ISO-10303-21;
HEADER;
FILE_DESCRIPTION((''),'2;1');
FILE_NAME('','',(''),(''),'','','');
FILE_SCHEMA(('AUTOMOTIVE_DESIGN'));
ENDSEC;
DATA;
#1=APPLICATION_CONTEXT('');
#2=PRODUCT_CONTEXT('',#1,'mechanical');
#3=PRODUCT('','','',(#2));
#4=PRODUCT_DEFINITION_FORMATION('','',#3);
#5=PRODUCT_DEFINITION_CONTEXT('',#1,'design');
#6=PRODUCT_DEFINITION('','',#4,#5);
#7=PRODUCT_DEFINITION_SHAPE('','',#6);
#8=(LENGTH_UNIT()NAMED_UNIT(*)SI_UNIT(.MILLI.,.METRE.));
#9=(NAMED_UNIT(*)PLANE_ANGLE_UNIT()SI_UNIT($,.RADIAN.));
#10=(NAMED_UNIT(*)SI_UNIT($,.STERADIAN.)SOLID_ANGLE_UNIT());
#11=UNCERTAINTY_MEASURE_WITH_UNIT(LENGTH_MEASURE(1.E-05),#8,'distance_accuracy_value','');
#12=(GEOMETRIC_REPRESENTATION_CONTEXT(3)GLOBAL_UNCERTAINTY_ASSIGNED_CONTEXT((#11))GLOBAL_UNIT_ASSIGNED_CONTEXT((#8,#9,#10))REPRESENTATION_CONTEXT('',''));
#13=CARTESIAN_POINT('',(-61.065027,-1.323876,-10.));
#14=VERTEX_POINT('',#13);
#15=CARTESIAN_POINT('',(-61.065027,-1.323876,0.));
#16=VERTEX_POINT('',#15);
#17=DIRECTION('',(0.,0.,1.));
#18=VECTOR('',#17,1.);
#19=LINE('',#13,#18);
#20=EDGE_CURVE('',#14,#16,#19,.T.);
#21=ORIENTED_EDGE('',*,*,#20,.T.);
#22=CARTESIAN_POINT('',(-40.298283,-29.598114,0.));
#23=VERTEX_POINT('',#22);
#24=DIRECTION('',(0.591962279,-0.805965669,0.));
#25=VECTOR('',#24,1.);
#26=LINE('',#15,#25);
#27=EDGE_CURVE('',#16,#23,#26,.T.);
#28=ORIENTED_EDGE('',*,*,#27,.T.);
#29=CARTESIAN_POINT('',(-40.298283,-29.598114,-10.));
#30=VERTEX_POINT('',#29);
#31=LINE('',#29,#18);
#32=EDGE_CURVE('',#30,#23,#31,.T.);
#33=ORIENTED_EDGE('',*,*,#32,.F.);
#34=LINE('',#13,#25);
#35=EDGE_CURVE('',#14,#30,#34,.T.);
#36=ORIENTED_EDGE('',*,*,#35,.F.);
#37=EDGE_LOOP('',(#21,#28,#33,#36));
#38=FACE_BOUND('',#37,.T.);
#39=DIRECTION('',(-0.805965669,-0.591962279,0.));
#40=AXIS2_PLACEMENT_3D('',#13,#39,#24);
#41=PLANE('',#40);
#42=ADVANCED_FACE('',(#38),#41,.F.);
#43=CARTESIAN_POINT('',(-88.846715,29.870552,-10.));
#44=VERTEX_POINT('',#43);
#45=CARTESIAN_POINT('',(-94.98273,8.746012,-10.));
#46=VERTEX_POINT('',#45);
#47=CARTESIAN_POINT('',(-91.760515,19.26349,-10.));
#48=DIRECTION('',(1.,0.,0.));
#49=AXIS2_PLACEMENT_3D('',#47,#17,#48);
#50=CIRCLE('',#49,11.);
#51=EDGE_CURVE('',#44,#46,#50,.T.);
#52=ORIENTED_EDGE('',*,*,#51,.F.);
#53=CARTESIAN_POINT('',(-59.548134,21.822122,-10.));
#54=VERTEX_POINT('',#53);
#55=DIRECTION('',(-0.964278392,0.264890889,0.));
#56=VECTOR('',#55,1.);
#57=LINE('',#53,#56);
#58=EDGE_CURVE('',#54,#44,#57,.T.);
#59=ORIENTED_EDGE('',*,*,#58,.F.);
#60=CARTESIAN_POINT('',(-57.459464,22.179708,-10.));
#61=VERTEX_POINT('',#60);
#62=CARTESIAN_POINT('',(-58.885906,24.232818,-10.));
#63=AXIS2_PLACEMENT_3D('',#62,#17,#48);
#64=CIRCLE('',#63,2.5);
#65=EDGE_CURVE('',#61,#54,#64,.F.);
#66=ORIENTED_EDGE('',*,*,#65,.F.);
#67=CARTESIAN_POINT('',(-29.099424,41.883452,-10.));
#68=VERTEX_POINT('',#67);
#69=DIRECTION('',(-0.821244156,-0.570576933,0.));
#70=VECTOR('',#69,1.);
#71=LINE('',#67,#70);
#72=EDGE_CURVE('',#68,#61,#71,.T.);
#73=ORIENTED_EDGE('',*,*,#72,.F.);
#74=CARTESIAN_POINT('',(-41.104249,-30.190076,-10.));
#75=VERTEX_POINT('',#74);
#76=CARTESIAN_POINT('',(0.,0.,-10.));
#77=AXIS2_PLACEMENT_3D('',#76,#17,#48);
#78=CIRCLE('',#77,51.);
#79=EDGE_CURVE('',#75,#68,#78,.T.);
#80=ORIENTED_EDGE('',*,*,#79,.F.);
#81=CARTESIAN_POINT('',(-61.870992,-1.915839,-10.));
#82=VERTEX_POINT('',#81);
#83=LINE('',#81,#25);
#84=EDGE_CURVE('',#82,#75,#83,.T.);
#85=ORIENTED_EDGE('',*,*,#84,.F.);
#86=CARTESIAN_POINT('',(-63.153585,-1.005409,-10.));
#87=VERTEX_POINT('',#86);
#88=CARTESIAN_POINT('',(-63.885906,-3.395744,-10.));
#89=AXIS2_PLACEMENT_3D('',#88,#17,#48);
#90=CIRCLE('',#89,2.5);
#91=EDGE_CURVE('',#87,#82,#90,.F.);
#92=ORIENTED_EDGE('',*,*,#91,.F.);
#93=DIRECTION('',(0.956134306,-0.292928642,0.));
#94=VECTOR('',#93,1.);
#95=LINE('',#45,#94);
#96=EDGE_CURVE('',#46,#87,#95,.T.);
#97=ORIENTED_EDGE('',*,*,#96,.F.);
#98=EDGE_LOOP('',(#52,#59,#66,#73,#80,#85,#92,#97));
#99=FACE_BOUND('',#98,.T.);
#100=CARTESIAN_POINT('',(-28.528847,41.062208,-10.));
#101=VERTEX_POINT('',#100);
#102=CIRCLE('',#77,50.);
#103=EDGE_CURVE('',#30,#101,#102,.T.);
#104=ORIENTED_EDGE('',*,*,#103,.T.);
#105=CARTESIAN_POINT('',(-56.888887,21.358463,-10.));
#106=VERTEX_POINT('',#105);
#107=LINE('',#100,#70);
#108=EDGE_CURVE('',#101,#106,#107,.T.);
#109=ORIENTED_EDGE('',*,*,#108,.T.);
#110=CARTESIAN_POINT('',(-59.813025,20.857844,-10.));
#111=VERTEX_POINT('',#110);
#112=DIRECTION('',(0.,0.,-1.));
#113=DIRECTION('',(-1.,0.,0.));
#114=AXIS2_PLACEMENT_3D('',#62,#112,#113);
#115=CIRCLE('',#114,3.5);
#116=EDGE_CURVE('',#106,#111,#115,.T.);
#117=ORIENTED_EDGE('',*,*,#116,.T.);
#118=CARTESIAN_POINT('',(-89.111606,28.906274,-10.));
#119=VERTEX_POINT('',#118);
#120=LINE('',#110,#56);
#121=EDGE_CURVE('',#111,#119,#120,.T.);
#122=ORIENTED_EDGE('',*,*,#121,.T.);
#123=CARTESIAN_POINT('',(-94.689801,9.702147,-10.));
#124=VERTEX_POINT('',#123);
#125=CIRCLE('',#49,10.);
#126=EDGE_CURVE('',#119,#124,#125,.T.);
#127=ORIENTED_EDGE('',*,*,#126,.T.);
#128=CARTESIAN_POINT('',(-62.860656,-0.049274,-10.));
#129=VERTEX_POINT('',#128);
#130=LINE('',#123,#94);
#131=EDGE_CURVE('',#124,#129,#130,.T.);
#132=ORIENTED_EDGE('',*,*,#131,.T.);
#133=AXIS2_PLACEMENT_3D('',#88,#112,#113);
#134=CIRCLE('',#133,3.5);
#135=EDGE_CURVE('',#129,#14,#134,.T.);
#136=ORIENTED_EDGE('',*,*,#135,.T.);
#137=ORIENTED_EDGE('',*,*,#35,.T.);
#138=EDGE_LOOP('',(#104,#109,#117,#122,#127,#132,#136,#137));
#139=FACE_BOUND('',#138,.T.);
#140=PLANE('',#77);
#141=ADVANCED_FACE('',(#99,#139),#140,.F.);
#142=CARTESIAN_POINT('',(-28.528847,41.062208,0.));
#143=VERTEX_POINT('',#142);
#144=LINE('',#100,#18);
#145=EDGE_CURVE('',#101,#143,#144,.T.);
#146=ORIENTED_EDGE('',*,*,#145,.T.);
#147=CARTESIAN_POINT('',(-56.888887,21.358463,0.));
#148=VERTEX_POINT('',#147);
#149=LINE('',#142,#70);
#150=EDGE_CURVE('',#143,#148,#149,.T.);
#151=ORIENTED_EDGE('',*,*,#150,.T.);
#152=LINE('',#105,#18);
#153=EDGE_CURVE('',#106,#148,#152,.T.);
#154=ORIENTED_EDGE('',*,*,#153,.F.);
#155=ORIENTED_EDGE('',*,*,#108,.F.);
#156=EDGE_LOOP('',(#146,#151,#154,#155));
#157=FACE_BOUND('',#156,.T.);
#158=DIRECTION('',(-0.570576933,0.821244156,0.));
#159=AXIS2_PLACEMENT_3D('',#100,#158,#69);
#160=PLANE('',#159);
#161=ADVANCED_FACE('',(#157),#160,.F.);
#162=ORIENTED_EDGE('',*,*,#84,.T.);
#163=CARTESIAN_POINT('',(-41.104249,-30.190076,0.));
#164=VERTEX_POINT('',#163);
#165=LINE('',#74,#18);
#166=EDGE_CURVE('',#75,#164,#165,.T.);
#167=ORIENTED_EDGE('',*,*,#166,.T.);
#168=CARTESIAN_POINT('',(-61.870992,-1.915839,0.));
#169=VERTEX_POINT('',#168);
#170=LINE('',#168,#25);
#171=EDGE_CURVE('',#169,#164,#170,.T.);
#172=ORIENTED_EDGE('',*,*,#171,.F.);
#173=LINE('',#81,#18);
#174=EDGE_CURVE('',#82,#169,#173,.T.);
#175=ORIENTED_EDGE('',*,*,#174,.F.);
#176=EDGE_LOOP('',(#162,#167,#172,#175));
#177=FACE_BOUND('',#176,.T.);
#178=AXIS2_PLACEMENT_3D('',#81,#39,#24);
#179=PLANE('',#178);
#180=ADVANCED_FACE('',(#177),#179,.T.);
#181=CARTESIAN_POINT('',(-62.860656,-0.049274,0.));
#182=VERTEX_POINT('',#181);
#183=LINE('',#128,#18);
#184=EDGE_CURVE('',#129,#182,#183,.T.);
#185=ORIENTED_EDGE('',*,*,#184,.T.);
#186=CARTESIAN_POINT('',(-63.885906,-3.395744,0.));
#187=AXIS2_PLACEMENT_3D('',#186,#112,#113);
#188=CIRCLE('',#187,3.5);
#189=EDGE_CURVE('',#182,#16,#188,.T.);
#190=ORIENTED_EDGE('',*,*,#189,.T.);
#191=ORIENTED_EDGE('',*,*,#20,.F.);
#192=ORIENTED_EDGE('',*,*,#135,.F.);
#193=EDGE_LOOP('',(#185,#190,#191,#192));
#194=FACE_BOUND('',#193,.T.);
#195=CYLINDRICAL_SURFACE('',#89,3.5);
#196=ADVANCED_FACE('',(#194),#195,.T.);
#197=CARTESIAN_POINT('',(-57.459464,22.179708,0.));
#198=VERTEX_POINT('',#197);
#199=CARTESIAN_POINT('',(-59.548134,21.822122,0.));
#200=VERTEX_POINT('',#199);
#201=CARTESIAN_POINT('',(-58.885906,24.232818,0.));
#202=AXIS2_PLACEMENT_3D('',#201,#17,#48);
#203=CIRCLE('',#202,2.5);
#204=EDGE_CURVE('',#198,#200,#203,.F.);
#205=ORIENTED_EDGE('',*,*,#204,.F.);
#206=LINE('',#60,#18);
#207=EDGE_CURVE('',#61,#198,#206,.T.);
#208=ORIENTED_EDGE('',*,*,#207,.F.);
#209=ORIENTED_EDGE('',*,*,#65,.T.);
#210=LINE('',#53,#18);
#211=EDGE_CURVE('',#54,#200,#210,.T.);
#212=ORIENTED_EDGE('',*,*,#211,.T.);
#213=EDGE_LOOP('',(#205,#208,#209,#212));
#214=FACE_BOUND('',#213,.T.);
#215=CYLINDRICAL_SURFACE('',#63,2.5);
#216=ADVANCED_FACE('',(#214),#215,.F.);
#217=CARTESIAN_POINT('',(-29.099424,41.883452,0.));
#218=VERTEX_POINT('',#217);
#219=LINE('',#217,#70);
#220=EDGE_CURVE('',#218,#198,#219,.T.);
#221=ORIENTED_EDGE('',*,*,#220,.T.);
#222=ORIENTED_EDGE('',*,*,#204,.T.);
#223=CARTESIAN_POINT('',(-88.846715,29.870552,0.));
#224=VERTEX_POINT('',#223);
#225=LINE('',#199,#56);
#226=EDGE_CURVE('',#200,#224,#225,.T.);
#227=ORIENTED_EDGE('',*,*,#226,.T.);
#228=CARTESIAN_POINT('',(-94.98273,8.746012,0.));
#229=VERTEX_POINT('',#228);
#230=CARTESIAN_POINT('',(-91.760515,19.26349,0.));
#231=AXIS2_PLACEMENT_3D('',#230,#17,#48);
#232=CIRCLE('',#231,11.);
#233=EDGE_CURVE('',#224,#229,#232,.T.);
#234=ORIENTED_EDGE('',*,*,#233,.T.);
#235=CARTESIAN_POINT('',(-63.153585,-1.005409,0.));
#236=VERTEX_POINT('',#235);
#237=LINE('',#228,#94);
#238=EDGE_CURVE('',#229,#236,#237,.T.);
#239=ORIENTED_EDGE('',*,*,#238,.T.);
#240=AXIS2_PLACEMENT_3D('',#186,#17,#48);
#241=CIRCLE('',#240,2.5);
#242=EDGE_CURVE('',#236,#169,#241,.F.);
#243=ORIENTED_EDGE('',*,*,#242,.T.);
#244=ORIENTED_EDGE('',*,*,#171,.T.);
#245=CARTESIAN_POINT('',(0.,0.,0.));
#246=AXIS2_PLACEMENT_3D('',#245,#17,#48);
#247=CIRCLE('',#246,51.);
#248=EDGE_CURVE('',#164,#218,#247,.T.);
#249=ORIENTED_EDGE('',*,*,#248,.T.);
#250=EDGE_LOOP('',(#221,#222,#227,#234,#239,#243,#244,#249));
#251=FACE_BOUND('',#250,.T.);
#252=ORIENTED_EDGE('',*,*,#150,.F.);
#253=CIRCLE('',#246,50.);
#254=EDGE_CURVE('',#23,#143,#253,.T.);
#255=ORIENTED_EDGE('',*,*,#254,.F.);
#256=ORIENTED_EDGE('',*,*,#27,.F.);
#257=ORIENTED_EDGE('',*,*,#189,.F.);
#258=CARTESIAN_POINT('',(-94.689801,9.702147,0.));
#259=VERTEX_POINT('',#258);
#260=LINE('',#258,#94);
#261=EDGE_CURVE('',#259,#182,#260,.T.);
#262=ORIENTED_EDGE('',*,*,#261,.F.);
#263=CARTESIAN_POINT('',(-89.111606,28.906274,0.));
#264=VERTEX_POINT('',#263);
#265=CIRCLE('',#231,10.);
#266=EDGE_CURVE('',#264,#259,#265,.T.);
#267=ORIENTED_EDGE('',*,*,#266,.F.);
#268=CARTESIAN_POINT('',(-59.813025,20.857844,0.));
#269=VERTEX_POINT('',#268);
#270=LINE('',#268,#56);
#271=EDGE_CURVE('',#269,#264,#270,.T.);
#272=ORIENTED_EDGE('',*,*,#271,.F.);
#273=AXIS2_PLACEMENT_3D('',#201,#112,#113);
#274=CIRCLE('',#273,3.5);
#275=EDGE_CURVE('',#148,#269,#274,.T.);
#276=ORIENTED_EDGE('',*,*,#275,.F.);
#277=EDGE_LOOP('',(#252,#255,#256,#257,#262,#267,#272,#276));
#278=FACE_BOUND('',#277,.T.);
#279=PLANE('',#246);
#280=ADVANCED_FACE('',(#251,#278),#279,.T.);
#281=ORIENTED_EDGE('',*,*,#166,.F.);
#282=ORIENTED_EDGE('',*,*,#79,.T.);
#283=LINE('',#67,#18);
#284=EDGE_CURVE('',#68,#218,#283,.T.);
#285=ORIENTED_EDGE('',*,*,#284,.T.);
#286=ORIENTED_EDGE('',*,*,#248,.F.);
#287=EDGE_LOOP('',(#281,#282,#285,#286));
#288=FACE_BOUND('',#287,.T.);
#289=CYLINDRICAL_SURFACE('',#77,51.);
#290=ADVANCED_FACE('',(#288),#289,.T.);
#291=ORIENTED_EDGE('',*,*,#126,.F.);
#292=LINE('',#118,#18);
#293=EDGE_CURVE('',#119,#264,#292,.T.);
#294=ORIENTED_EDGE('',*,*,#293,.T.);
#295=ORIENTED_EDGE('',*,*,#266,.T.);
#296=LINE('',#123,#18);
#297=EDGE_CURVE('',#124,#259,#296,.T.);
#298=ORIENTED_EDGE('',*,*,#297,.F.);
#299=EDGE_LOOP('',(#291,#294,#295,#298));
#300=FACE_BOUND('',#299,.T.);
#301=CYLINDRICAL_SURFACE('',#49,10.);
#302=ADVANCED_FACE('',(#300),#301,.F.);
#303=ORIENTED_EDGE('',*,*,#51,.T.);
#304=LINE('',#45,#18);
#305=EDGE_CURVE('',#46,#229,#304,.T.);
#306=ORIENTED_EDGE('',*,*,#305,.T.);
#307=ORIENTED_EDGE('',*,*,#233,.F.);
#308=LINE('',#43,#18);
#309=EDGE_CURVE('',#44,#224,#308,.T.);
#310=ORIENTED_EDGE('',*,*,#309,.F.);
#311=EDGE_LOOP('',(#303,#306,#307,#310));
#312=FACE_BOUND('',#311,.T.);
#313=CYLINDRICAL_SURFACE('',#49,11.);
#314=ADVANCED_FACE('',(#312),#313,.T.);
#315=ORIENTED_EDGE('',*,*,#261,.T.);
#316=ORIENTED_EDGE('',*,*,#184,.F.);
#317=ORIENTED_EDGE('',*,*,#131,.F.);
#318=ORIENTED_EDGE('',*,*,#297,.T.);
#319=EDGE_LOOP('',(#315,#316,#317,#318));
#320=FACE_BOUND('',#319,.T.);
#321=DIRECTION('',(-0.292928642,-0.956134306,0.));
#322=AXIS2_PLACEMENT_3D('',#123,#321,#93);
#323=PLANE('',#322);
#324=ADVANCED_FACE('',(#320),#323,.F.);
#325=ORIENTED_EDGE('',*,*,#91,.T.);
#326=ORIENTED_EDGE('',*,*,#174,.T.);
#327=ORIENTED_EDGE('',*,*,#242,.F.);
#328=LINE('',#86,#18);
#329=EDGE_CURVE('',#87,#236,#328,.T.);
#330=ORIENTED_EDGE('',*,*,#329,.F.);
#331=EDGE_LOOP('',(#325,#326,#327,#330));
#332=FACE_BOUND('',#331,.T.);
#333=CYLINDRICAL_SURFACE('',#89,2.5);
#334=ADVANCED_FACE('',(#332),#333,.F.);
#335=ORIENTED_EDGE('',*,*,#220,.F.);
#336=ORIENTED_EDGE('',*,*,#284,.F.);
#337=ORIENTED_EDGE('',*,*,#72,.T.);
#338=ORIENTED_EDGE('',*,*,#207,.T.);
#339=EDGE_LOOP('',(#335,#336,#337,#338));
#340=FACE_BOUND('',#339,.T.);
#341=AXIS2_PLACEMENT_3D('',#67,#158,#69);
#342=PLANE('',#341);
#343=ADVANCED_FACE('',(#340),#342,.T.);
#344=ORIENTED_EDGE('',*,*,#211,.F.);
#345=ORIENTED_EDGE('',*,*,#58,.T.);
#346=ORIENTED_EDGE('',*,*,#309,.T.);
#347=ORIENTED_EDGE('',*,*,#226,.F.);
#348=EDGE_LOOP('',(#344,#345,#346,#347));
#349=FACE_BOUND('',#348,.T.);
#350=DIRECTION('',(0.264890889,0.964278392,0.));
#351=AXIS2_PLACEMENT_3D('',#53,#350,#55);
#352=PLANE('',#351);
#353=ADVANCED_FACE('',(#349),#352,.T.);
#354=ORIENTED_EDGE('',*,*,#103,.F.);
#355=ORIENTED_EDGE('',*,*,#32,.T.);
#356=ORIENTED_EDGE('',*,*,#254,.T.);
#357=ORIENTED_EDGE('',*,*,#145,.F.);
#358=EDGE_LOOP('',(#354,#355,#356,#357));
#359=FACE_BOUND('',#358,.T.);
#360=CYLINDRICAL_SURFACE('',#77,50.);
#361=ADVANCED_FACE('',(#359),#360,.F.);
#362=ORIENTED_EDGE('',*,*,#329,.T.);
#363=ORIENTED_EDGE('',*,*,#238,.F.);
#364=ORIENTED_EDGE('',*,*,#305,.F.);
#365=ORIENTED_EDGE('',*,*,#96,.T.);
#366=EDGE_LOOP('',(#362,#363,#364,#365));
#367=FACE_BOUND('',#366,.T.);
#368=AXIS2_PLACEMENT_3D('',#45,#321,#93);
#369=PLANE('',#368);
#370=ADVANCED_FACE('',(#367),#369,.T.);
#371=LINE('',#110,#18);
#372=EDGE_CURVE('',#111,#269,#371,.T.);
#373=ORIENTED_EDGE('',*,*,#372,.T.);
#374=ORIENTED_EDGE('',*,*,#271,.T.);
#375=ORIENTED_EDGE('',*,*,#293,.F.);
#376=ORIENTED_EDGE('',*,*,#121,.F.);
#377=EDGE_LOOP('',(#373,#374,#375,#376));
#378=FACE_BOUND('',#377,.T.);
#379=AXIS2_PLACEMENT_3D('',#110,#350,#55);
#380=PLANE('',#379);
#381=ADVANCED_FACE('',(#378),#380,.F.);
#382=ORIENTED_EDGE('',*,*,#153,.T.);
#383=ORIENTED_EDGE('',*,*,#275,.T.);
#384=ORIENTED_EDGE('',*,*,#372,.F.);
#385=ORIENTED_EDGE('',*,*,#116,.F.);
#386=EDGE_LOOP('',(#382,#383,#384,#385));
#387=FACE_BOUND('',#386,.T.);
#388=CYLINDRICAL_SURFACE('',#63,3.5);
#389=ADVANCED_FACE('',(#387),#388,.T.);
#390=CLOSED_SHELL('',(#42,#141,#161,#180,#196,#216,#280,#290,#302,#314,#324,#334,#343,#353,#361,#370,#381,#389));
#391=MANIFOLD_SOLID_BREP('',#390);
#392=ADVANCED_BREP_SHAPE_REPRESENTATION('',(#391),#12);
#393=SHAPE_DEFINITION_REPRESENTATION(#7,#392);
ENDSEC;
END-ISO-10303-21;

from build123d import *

# Parameters (mm, degrees)
EXTRUDE_THIN1_DEPTH = 10


with BuildPart() as part:
    # Sketch2 → Extrude-Thin1 (new body)
    with BuildSketch(Plane.XY):
        with BuildLine():
            Line((-61.870992291, -1.915838758), (-41.104249143, -30.190076223))
            ThreePointArc((-41.104249143, -30.190076223), (50.306930752, -8.379302973), (-29.099423566, 41.88345196))
            Line((-29.099423566, 41.88345196), (-57.459464133, 22.179707541))
            ThreePointArc((-57.459464133, 22.179707541), (-58.464037946, 21.768669609), (-59.548133687, 21.822121952))
            Line((-59.548133687, 21.822121952), (-88.84671512, 29.870552095))
            ThreePointArc((-88.84671512, 29.870552095), (-102.323910379, 22.331824169), (-94.982729961, 8.746012422))
            Line((-94.982729961, 8.746012422), (-63.153584859, -1.005408691))
            ThreePointArc((-63.153584859, -1.005408691), (-62.438824286, -1.357128953), (-61.870992291, -1.915838758))
        make_face()
        with BuildLine():
            Line((-61.065026622, -1.323876479), (-40.298283474, -29.598113945))
            ThreePointArc((-40.298283474, -29.598113945), (49.320520345, -8.215002915), (-28.528846634, 41.062207804))
            Line((-28.528846634, 41.062207804), (-56.8888872, 21.358463385))
            ThreePointArc((-56.8888872, 21.358463385), (-58.295290539, 20.783010281), (-59.813024576, 20.85784356))
            Line((-59.813024576, 20.85784356), (-89.111606009, 28.906273703))
            ThreePointArc((-89.111606009, 28.906273703), (-101.363601699, 22.05288468), (-94.689801318, 9.702146727))
            Line((-94.689801318, 9.702146727), (-62.860656217, -0.049274385))
            ThreePointArc((-62.860656217, -0.049274385), (-61.859991414, -0.541682752), (-61.065026622, -1.323876479))
        make_face(mode=Mode.SUBTRACT)
    extrude(amount=-EXTRUDE_THIN1_DEPTH)


solid = part.part
